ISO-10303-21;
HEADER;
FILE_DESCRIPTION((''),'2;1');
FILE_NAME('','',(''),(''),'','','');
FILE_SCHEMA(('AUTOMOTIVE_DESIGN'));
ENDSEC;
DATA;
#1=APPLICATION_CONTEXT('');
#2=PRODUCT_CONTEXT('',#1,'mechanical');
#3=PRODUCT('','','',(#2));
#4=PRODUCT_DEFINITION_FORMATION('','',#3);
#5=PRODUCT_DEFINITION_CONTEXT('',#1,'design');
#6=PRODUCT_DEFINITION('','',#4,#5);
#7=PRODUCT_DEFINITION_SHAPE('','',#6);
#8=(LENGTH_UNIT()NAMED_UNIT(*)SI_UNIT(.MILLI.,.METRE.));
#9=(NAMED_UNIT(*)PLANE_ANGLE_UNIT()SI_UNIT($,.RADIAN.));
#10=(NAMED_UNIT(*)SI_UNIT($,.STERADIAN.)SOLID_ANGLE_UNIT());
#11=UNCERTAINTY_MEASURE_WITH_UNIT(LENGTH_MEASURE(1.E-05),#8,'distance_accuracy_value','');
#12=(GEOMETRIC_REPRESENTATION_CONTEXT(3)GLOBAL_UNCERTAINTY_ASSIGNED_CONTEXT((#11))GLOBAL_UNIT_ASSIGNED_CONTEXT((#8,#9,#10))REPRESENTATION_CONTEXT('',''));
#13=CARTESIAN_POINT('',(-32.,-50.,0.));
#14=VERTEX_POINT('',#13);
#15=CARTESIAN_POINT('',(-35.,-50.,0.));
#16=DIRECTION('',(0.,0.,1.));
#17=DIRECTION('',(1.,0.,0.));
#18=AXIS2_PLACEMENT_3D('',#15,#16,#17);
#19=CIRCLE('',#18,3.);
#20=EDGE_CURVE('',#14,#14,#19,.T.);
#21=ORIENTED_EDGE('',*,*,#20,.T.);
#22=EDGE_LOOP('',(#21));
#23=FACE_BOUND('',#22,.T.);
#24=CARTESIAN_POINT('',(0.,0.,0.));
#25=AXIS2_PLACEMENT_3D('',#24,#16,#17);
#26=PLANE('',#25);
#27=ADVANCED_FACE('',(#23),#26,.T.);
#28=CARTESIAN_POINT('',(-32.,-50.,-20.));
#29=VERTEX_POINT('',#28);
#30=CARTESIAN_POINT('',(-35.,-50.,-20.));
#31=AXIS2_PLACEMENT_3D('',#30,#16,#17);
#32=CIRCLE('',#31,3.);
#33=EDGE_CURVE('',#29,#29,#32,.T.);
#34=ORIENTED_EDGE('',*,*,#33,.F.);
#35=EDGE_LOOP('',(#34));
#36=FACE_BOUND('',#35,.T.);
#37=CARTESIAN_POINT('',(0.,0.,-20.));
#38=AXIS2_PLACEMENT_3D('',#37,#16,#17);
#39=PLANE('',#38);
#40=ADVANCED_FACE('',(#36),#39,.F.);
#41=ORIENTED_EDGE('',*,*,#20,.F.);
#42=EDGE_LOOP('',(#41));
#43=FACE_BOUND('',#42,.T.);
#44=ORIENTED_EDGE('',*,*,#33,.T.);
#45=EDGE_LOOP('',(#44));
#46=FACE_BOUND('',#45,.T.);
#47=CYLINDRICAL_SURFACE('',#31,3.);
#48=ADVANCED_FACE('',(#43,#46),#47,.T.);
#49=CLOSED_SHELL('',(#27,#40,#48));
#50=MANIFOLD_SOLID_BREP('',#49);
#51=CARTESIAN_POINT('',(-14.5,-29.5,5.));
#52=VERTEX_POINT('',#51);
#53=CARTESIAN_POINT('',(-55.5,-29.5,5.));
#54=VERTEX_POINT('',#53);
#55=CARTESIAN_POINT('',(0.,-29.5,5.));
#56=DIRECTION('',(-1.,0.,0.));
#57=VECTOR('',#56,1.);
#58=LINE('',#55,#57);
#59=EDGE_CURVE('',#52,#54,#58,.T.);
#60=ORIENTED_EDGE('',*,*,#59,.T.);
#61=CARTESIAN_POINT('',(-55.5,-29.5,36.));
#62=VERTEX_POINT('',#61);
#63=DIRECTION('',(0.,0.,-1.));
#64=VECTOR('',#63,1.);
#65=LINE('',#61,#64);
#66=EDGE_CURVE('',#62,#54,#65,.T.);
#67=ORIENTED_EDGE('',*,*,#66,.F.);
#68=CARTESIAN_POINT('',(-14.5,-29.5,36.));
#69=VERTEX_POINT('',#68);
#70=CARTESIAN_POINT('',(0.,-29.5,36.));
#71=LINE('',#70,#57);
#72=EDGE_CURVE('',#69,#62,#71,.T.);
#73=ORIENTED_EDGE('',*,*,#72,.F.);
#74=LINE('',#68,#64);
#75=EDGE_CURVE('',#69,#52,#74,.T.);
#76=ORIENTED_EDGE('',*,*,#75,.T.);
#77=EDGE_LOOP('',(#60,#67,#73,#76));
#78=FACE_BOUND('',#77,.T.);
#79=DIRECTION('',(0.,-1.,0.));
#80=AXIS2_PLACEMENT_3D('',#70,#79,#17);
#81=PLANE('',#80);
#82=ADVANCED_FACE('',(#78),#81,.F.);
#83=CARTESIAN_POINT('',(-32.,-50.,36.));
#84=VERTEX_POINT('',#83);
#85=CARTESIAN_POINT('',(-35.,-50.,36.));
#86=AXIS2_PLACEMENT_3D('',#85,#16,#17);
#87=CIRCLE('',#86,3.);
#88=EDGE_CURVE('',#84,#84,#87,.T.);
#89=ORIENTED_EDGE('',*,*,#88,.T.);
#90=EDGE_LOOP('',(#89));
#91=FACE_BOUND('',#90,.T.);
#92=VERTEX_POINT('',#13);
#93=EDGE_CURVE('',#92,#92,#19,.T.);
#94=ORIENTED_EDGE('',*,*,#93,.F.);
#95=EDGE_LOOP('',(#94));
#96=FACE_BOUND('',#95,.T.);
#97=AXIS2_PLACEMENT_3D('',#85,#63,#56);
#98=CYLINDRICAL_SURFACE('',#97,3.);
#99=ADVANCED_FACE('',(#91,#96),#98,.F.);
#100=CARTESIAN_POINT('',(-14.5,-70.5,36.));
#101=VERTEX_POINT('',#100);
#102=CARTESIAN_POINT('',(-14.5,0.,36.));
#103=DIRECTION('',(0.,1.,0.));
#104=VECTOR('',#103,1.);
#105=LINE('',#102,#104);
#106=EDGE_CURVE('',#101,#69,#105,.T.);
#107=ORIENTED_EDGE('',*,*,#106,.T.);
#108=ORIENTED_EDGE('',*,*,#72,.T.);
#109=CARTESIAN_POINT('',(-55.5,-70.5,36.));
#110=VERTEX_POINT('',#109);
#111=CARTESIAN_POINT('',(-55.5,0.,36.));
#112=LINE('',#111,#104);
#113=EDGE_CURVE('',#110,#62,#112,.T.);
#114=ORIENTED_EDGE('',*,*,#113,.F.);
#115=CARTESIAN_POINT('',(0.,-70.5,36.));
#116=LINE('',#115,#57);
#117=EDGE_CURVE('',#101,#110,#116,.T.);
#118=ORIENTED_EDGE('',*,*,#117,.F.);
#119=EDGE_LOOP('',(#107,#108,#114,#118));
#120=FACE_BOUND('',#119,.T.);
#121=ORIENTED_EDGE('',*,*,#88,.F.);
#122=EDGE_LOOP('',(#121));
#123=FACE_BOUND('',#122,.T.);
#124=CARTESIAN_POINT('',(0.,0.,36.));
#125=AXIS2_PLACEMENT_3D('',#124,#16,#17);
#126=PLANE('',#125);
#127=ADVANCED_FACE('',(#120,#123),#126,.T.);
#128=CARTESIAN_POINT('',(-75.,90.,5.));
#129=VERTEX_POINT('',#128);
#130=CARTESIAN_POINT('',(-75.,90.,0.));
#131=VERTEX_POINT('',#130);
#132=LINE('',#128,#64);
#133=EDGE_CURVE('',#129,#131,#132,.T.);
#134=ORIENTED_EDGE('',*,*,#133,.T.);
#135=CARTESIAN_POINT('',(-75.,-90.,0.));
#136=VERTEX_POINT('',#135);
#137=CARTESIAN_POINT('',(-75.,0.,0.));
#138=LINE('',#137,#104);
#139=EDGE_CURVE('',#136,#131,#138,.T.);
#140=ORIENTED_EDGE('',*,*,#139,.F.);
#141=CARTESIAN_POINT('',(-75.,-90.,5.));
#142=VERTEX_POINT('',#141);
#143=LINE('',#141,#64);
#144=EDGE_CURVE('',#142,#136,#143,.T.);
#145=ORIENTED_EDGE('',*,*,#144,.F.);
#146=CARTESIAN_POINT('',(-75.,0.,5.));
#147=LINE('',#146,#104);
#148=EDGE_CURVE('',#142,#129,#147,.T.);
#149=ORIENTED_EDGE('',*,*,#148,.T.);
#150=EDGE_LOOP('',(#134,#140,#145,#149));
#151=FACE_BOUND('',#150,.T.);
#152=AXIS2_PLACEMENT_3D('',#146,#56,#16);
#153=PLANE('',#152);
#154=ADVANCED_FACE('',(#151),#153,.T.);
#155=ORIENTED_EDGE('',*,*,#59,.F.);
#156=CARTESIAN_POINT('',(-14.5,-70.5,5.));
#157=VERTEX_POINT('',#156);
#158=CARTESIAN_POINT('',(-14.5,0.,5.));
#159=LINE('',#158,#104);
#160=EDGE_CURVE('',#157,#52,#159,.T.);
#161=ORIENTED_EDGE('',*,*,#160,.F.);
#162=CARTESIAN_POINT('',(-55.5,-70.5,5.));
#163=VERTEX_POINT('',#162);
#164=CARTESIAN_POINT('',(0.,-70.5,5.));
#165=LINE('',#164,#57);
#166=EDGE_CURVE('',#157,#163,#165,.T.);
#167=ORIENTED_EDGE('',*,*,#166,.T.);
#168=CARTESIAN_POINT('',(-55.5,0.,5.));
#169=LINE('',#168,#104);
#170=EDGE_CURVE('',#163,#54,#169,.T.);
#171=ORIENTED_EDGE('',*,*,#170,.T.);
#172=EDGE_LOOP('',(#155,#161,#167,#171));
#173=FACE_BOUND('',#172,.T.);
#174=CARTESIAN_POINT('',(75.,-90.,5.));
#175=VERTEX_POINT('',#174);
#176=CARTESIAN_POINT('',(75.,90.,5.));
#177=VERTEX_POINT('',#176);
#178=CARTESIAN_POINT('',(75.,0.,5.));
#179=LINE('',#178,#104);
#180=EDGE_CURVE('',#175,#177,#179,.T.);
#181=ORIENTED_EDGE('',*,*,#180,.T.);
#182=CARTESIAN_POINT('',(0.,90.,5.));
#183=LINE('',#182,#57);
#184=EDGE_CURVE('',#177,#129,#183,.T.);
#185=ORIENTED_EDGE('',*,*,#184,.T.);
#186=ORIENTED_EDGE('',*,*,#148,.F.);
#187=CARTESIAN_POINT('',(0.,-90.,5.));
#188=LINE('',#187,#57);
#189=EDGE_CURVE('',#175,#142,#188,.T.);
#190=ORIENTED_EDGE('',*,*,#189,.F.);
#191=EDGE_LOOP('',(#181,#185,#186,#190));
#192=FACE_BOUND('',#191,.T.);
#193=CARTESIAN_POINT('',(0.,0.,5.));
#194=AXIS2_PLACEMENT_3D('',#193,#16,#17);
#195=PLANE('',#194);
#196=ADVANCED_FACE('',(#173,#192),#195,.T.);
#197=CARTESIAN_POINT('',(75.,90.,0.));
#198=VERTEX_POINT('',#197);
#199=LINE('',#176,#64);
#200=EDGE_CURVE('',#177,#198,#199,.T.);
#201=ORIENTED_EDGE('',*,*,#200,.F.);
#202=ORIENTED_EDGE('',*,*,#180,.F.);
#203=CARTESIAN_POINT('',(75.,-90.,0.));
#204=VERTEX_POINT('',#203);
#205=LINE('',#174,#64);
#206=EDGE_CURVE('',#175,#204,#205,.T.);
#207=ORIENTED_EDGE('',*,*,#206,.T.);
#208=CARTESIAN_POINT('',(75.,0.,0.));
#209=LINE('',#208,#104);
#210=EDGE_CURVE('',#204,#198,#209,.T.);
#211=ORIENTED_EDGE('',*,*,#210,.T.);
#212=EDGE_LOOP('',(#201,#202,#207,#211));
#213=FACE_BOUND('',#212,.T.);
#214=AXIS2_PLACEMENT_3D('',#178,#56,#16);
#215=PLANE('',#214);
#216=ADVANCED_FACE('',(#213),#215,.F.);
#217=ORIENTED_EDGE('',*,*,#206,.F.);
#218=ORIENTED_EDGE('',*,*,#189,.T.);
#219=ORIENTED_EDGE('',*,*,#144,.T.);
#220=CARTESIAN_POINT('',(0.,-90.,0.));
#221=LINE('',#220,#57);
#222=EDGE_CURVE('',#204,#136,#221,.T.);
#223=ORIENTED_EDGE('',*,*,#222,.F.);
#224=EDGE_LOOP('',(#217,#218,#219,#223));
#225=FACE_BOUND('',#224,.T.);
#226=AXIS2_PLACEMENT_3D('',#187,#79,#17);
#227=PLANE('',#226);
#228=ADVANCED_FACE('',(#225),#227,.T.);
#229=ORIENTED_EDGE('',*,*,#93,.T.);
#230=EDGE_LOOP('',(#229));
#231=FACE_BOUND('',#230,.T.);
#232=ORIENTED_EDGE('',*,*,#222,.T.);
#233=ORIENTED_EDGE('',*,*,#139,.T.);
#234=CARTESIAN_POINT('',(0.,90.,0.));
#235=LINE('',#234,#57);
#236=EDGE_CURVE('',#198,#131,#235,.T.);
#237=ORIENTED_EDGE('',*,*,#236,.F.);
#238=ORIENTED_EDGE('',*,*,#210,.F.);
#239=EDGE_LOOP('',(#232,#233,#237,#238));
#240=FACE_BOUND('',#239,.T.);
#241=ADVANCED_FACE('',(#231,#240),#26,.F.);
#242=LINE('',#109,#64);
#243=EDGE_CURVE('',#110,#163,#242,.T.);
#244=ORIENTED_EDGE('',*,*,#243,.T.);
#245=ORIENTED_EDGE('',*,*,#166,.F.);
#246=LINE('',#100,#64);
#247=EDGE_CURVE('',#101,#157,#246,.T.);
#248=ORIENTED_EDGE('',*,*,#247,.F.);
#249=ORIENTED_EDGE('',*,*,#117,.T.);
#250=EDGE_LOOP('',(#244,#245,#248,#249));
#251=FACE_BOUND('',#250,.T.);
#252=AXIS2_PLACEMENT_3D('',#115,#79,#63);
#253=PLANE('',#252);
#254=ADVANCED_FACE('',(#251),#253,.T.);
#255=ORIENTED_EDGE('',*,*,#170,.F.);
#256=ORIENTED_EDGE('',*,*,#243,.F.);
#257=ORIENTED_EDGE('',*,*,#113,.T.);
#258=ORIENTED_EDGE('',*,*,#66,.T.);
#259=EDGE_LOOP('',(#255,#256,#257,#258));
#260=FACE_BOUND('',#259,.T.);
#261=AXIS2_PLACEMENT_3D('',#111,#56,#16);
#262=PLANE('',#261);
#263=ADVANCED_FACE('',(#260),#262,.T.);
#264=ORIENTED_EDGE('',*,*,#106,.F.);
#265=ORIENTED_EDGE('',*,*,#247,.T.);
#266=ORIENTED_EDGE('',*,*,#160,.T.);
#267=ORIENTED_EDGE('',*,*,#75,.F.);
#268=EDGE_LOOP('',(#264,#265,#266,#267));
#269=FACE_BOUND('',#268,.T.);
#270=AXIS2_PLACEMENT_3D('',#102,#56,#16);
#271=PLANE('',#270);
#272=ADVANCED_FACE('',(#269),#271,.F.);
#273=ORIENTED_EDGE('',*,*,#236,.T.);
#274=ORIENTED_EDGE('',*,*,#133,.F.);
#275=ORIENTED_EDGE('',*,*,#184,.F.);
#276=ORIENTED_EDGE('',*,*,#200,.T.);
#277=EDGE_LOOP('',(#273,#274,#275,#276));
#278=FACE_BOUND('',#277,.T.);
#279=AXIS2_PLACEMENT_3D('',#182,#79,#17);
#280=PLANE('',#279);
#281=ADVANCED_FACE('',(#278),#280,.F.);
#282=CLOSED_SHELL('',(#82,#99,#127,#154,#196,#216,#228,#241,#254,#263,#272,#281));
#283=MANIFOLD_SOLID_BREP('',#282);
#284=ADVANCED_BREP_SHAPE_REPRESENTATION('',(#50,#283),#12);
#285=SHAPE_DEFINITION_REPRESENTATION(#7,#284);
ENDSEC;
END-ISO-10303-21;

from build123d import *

# Parameters (mm, degrees)
SKETCH1_W           = 150
SKETCH1_H           = 180
SKETCH1_W_2         = 41
SKETCH1_H_2         = 41
BOSS_EXTRUDE1_DEPTH = 5
SKETCH1_3_W         = 41
SKETCH1_3_H         = 41
SKETCH1_3_R         = 3
BOSS_EXTRUDE2_DEPTH = 36
SKETCH1_4_R         = 3
BOSS_EXTRUDE3_DEPTH = 20


with BuildPart() as part:
    # Sketch1 → Boss-Extrude1 (new body)
    with BuildSketch(Plane.XY):
        Rectangle(SKETCH1_W, SKETCH1_H)
        with Locations((-35, -50)):
            Rectangle(SKETCH1_W_2, SKETCH1_H_2, mode=Mode.SUBTRACT)
    extrude(amount=BOSS_EXTRUDE1_DEPTH)

    # Sketch1<3> → Boss-Extrude2 (add)
    with BuildSketch(Plane.XY):
        with Locations((-35, -50)):
            Rectangle(SKETCH1_3_W, SKETCH1_3_H)
        with Locations((-35, -50)):
            Circle(SKETCH1_3_R, mode=Mode.SUBTRACT)
    extrude(amount=BOSS_EXTRUDE2_DEPTH)


with BuildPart() as body_2:
    # Sketch1<4> → Boss-Extrude3 (new body)
    with BuildSketch(Plane.XY):
        with Locations((-35, -50)):
            Circle(SKETCH1_4_R)
    extrude(amount=-BOSS_EXTRUDE3_DEPTH)


solid = Compound([part.part, body_2.part])
